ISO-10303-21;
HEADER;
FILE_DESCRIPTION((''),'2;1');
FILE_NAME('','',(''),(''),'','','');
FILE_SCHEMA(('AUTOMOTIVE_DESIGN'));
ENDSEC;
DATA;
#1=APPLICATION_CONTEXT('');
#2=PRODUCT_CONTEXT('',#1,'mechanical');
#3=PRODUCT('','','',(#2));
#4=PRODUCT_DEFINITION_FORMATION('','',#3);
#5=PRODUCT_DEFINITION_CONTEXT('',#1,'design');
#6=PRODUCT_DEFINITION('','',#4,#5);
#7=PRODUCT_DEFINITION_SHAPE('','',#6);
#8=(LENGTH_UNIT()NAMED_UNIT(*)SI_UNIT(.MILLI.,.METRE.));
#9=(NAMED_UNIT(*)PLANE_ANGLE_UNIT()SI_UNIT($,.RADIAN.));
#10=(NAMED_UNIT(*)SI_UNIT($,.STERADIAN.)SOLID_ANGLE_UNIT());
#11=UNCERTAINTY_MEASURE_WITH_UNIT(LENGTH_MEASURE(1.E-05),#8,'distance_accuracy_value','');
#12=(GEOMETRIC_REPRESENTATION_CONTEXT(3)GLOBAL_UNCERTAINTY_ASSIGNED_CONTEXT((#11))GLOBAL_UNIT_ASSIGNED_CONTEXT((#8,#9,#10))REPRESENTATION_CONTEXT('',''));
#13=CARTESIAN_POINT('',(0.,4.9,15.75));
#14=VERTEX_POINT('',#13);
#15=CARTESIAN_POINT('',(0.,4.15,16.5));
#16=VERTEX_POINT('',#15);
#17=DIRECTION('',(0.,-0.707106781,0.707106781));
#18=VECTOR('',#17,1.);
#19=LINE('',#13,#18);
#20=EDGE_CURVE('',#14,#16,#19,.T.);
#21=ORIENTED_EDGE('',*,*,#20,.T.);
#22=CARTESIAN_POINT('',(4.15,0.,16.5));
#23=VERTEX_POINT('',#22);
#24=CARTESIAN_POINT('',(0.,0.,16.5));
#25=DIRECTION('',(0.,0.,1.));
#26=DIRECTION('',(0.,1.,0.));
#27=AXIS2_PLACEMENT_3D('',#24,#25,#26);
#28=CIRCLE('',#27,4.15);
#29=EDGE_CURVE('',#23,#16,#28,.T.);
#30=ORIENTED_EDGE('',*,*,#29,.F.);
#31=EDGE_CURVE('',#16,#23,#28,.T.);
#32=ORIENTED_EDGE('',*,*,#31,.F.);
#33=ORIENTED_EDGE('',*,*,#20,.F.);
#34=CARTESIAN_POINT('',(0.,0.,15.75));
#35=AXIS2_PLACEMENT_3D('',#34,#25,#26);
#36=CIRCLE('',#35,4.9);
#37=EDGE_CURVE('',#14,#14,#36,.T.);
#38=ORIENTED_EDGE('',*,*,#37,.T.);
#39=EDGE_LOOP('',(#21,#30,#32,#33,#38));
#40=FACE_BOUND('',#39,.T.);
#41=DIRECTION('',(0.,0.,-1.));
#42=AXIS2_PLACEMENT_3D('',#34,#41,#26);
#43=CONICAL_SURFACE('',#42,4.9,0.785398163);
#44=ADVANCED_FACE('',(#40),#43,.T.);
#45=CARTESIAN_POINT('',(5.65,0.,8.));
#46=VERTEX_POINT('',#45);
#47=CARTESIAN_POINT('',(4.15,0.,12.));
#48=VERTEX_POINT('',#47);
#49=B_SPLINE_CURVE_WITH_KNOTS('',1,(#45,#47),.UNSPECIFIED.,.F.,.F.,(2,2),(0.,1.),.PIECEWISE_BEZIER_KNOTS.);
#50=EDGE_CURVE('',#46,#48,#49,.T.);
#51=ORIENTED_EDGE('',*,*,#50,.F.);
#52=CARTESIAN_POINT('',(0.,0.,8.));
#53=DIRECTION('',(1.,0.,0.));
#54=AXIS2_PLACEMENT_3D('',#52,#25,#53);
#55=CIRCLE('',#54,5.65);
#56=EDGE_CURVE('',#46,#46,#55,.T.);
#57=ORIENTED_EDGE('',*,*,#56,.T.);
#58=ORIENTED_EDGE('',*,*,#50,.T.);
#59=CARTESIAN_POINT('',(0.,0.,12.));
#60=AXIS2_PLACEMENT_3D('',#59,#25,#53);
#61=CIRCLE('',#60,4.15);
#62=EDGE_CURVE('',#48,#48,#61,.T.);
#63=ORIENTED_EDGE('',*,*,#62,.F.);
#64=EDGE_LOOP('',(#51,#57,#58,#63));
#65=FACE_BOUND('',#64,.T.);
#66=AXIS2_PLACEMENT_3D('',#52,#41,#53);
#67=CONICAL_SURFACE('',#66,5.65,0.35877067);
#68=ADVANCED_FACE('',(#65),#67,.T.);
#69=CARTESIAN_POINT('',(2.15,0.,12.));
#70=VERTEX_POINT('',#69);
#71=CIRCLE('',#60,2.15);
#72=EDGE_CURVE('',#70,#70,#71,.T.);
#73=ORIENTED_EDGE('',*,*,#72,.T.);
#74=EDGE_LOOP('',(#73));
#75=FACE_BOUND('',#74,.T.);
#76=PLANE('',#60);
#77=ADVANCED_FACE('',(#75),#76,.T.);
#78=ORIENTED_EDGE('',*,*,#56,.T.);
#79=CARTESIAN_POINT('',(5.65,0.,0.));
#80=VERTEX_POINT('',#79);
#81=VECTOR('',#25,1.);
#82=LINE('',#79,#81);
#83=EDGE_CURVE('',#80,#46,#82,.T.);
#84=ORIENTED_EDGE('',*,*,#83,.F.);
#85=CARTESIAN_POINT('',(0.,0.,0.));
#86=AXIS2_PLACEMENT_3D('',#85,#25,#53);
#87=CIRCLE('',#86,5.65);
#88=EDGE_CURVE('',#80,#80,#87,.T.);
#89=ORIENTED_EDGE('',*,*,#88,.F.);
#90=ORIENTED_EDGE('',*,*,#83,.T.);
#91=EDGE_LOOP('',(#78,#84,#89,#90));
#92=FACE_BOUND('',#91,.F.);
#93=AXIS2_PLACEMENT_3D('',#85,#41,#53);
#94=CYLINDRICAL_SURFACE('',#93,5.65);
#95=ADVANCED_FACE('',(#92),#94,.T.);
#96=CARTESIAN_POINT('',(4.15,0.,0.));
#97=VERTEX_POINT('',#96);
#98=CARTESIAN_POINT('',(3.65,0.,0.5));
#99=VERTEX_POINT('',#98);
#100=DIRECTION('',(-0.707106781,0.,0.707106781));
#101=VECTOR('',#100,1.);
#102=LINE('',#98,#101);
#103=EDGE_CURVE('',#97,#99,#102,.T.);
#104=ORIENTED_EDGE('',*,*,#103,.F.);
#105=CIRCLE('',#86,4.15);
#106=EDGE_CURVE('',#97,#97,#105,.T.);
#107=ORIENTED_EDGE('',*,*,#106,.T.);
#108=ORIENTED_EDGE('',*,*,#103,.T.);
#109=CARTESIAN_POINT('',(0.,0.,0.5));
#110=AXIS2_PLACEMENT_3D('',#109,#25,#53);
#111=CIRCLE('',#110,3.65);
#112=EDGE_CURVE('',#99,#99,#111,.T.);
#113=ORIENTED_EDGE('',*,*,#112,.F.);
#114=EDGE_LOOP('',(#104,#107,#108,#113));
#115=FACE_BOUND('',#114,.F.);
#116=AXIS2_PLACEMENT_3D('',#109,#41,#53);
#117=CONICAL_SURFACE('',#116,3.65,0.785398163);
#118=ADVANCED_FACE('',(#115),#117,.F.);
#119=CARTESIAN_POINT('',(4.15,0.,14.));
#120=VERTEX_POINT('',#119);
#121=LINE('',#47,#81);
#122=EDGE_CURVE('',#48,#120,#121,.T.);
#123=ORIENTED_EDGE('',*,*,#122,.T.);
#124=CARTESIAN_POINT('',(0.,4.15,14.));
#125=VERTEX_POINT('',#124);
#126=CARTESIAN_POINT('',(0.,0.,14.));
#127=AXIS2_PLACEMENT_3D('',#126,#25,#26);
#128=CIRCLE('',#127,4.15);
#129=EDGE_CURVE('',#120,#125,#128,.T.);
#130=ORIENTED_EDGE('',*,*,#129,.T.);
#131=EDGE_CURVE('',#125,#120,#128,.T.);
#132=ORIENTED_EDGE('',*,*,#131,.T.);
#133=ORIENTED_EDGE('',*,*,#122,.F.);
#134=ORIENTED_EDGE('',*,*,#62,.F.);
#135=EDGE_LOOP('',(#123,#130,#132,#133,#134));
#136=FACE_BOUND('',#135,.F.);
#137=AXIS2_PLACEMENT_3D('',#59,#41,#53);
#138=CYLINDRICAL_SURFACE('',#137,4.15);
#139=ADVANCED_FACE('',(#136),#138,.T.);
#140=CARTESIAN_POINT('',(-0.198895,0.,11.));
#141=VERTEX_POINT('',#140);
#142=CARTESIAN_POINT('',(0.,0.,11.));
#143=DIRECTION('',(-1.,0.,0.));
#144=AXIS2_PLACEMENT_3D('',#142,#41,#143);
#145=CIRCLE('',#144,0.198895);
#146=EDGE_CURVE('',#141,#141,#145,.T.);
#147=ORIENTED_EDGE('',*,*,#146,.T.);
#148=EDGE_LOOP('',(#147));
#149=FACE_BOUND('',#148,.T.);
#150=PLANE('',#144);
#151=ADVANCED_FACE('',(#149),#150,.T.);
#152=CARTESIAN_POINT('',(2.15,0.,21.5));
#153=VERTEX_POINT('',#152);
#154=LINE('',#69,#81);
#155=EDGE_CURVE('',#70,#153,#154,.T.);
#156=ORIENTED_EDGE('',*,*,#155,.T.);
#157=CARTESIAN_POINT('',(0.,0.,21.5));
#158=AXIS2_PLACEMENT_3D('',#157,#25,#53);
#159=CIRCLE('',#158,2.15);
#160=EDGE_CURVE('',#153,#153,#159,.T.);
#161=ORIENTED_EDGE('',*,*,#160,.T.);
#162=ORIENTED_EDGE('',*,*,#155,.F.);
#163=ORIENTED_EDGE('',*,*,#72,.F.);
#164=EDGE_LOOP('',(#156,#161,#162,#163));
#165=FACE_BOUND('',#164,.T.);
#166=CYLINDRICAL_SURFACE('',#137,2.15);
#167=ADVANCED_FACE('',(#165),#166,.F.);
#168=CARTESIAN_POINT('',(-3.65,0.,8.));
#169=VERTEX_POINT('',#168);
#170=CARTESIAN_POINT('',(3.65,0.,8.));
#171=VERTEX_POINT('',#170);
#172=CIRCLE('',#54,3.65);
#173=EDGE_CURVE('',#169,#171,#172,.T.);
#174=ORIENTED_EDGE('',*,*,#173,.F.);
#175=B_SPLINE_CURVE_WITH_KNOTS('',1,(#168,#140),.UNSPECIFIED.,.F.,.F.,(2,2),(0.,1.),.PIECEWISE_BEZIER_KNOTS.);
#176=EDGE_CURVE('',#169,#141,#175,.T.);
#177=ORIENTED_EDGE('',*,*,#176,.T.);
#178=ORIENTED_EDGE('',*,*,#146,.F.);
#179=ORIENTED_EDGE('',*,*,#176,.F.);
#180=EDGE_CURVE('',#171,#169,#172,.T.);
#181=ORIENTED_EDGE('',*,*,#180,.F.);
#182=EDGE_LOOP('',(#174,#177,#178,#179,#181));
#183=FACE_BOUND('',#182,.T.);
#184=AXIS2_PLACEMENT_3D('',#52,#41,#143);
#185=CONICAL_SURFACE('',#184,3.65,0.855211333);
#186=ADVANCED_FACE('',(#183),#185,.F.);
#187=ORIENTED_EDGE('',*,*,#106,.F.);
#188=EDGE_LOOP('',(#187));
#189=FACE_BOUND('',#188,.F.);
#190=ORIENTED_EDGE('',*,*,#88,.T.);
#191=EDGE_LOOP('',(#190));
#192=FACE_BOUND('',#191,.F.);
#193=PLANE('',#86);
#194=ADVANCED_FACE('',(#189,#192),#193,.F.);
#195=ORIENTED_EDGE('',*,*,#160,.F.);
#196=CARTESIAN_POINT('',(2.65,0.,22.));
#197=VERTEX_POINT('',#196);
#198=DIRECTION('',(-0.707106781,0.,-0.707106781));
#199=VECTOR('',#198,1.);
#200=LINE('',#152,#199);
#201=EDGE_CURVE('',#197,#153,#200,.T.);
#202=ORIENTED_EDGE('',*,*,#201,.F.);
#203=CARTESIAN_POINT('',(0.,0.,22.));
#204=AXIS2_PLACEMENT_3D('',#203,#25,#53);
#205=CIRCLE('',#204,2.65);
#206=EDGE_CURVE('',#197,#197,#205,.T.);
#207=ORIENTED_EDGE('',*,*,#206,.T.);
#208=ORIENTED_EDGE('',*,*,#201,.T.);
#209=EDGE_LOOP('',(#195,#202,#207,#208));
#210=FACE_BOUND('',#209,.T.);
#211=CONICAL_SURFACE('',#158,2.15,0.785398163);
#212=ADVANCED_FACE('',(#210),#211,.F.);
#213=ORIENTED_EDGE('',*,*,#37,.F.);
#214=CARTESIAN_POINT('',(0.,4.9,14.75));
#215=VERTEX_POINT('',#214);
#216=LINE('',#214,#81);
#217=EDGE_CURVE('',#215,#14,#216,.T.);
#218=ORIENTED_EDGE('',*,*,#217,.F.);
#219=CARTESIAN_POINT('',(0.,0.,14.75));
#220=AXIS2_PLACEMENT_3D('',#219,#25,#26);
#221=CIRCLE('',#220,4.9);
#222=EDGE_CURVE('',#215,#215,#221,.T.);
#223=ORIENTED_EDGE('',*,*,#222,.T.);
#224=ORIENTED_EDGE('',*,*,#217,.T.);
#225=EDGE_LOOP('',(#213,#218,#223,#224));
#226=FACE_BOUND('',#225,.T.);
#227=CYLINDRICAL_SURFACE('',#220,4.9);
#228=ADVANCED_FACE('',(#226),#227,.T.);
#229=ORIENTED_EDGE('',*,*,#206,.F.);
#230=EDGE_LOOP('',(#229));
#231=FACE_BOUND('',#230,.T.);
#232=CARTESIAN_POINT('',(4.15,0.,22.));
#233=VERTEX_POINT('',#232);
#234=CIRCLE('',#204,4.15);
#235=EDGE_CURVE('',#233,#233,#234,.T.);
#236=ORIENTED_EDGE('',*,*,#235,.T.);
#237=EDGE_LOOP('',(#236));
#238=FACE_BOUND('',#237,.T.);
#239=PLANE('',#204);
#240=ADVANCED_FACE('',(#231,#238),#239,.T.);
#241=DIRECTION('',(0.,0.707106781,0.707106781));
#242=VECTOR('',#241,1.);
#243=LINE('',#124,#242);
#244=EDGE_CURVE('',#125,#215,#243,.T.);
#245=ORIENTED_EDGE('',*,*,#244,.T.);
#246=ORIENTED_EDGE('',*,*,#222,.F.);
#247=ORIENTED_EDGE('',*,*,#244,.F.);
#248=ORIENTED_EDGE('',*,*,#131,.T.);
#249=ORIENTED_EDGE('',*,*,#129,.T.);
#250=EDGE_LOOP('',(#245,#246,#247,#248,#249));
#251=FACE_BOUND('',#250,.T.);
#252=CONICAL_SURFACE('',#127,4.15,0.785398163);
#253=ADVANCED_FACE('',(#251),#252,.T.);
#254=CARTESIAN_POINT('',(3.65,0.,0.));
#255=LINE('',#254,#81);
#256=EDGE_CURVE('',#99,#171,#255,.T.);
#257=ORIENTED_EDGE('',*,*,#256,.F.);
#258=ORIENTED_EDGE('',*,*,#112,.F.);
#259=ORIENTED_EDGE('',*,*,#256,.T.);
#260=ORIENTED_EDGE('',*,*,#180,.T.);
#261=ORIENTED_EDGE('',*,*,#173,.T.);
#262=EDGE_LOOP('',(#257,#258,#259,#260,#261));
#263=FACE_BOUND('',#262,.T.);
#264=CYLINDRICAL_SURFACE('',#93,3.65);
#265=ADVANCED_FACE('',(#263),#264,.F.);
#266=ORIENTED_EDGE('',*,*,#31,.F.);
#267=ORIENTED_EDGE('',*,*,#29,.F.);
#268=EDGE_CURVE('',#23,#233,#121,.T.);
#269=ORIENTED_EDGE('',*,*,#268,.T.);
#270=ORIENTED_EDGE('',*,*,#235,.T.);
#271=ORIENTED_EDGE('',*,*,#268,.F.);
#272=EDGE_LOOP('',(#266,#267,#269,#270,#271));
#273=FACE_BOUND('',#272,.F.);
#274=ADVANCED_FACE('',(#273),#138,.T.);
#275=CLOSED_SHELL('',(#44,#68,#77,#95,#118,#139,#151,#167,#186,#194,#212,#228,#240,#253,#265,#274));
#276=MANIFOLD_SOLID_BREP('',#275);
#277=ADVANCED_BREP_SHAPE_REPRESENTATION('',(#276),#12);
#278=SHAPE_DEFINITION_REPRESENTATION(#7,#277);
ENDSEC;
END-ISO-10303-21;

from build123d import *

# Parameters (mm, degrees)
SKETCH1_R           = 5.65
SKETCH1_R_2         = 3.65
BOSS_EXTRUDE1_DEPTH = 8
SKETCH3_R           = 5.65
SKETCH2_R           = 4.15
SKETCH4_R           = 3.65
CUT_EXTRUDE2_DEPTH  = 3
CUT_EXTRUDE2_TAPER  = 49
SKETCH6_R           = 4.15
SKETCH6_R_2         = 2.15
BOSS_EXTRUDE2_DEPTH = 10
CHAMFER1_SIZE       = 0.5
CHAMFER2_SIZE       = 0.5


with BuildPart() as part:
    # Sketch1 → Boss-Extrude1 (new body)
    with BuildSketch(Plane.XY):
        Circle(SKETCH1_R)
        Circle(SKETCH1_R_2, mode=Mode.SUBTRACT)
    extrude(amount=BOSS_EXTRUDE1_DEPTH)

    # Sketch3 → Loft1 section 0
    with BuildSketch(Plane.XY.offset(8)):
        Circle(SKETCH3_R)
    # Sketch2 → Loft1 section 1
    with BuildSketch(Plane.XY.offset(12)):
        Circle(SKETCH2_R)
    loft()

    # Sketch4 → Cut-Extrude2 (cut)
    with BuildSketch(Plane(origin=(0, 0, 8), x_dir=(-1, 0, 0), z_dir=(0, 0, -1))):
        Circle(SKETCH4_R)
    extrude(amount=-CUT_EXTRUDE2_DEPTH, taper=CUT_EXTRUDE2_TAPER, mode=Mode.SUBTRACT)

    # Sketch6 → Boss-Extrude2 (add)
    with BuildSketch(Plane.XY.offset(12)):
        Circle(SKETCH6_R)
        Circle(SKETCH6_R_2, mode=Mode.SUBTRACT)
    extrude(amount=BOSS_EXTRUDE2_DEPTH)

    # Sketch7 → Revolve1 (revolve)
    with BuildSketch(Plane(origin=(0, 0, 0), x_dir=(0, 0, -1), z_dir=(1, 0, 0))):
        Polygon((-14, 4.15), (-14.75, 4.9), (-15.75, 4.9), (-16.5, 4.15), align=None)
    revolve(axis=Axis((0, 0, -80.9), (0, 0, 1)))

    # Chamfer1
    chamfer1_edges = [part.edges().sort_by_distance(p)[0] for p in [
        (-3.65, 0, 0),
    ]]
    chamfer(chamfer1_edges, length=CHAMFER1_SIZE)

    # Chamfer2
    chamfer2_edges = [part.edges().sort_by_distance(p)[0] for p in [
        (-2.15, 0, 22),
    ]]
    chamfer(chamfer2_edges, length=CHAMFER2_SIZE)


solid = part.part
